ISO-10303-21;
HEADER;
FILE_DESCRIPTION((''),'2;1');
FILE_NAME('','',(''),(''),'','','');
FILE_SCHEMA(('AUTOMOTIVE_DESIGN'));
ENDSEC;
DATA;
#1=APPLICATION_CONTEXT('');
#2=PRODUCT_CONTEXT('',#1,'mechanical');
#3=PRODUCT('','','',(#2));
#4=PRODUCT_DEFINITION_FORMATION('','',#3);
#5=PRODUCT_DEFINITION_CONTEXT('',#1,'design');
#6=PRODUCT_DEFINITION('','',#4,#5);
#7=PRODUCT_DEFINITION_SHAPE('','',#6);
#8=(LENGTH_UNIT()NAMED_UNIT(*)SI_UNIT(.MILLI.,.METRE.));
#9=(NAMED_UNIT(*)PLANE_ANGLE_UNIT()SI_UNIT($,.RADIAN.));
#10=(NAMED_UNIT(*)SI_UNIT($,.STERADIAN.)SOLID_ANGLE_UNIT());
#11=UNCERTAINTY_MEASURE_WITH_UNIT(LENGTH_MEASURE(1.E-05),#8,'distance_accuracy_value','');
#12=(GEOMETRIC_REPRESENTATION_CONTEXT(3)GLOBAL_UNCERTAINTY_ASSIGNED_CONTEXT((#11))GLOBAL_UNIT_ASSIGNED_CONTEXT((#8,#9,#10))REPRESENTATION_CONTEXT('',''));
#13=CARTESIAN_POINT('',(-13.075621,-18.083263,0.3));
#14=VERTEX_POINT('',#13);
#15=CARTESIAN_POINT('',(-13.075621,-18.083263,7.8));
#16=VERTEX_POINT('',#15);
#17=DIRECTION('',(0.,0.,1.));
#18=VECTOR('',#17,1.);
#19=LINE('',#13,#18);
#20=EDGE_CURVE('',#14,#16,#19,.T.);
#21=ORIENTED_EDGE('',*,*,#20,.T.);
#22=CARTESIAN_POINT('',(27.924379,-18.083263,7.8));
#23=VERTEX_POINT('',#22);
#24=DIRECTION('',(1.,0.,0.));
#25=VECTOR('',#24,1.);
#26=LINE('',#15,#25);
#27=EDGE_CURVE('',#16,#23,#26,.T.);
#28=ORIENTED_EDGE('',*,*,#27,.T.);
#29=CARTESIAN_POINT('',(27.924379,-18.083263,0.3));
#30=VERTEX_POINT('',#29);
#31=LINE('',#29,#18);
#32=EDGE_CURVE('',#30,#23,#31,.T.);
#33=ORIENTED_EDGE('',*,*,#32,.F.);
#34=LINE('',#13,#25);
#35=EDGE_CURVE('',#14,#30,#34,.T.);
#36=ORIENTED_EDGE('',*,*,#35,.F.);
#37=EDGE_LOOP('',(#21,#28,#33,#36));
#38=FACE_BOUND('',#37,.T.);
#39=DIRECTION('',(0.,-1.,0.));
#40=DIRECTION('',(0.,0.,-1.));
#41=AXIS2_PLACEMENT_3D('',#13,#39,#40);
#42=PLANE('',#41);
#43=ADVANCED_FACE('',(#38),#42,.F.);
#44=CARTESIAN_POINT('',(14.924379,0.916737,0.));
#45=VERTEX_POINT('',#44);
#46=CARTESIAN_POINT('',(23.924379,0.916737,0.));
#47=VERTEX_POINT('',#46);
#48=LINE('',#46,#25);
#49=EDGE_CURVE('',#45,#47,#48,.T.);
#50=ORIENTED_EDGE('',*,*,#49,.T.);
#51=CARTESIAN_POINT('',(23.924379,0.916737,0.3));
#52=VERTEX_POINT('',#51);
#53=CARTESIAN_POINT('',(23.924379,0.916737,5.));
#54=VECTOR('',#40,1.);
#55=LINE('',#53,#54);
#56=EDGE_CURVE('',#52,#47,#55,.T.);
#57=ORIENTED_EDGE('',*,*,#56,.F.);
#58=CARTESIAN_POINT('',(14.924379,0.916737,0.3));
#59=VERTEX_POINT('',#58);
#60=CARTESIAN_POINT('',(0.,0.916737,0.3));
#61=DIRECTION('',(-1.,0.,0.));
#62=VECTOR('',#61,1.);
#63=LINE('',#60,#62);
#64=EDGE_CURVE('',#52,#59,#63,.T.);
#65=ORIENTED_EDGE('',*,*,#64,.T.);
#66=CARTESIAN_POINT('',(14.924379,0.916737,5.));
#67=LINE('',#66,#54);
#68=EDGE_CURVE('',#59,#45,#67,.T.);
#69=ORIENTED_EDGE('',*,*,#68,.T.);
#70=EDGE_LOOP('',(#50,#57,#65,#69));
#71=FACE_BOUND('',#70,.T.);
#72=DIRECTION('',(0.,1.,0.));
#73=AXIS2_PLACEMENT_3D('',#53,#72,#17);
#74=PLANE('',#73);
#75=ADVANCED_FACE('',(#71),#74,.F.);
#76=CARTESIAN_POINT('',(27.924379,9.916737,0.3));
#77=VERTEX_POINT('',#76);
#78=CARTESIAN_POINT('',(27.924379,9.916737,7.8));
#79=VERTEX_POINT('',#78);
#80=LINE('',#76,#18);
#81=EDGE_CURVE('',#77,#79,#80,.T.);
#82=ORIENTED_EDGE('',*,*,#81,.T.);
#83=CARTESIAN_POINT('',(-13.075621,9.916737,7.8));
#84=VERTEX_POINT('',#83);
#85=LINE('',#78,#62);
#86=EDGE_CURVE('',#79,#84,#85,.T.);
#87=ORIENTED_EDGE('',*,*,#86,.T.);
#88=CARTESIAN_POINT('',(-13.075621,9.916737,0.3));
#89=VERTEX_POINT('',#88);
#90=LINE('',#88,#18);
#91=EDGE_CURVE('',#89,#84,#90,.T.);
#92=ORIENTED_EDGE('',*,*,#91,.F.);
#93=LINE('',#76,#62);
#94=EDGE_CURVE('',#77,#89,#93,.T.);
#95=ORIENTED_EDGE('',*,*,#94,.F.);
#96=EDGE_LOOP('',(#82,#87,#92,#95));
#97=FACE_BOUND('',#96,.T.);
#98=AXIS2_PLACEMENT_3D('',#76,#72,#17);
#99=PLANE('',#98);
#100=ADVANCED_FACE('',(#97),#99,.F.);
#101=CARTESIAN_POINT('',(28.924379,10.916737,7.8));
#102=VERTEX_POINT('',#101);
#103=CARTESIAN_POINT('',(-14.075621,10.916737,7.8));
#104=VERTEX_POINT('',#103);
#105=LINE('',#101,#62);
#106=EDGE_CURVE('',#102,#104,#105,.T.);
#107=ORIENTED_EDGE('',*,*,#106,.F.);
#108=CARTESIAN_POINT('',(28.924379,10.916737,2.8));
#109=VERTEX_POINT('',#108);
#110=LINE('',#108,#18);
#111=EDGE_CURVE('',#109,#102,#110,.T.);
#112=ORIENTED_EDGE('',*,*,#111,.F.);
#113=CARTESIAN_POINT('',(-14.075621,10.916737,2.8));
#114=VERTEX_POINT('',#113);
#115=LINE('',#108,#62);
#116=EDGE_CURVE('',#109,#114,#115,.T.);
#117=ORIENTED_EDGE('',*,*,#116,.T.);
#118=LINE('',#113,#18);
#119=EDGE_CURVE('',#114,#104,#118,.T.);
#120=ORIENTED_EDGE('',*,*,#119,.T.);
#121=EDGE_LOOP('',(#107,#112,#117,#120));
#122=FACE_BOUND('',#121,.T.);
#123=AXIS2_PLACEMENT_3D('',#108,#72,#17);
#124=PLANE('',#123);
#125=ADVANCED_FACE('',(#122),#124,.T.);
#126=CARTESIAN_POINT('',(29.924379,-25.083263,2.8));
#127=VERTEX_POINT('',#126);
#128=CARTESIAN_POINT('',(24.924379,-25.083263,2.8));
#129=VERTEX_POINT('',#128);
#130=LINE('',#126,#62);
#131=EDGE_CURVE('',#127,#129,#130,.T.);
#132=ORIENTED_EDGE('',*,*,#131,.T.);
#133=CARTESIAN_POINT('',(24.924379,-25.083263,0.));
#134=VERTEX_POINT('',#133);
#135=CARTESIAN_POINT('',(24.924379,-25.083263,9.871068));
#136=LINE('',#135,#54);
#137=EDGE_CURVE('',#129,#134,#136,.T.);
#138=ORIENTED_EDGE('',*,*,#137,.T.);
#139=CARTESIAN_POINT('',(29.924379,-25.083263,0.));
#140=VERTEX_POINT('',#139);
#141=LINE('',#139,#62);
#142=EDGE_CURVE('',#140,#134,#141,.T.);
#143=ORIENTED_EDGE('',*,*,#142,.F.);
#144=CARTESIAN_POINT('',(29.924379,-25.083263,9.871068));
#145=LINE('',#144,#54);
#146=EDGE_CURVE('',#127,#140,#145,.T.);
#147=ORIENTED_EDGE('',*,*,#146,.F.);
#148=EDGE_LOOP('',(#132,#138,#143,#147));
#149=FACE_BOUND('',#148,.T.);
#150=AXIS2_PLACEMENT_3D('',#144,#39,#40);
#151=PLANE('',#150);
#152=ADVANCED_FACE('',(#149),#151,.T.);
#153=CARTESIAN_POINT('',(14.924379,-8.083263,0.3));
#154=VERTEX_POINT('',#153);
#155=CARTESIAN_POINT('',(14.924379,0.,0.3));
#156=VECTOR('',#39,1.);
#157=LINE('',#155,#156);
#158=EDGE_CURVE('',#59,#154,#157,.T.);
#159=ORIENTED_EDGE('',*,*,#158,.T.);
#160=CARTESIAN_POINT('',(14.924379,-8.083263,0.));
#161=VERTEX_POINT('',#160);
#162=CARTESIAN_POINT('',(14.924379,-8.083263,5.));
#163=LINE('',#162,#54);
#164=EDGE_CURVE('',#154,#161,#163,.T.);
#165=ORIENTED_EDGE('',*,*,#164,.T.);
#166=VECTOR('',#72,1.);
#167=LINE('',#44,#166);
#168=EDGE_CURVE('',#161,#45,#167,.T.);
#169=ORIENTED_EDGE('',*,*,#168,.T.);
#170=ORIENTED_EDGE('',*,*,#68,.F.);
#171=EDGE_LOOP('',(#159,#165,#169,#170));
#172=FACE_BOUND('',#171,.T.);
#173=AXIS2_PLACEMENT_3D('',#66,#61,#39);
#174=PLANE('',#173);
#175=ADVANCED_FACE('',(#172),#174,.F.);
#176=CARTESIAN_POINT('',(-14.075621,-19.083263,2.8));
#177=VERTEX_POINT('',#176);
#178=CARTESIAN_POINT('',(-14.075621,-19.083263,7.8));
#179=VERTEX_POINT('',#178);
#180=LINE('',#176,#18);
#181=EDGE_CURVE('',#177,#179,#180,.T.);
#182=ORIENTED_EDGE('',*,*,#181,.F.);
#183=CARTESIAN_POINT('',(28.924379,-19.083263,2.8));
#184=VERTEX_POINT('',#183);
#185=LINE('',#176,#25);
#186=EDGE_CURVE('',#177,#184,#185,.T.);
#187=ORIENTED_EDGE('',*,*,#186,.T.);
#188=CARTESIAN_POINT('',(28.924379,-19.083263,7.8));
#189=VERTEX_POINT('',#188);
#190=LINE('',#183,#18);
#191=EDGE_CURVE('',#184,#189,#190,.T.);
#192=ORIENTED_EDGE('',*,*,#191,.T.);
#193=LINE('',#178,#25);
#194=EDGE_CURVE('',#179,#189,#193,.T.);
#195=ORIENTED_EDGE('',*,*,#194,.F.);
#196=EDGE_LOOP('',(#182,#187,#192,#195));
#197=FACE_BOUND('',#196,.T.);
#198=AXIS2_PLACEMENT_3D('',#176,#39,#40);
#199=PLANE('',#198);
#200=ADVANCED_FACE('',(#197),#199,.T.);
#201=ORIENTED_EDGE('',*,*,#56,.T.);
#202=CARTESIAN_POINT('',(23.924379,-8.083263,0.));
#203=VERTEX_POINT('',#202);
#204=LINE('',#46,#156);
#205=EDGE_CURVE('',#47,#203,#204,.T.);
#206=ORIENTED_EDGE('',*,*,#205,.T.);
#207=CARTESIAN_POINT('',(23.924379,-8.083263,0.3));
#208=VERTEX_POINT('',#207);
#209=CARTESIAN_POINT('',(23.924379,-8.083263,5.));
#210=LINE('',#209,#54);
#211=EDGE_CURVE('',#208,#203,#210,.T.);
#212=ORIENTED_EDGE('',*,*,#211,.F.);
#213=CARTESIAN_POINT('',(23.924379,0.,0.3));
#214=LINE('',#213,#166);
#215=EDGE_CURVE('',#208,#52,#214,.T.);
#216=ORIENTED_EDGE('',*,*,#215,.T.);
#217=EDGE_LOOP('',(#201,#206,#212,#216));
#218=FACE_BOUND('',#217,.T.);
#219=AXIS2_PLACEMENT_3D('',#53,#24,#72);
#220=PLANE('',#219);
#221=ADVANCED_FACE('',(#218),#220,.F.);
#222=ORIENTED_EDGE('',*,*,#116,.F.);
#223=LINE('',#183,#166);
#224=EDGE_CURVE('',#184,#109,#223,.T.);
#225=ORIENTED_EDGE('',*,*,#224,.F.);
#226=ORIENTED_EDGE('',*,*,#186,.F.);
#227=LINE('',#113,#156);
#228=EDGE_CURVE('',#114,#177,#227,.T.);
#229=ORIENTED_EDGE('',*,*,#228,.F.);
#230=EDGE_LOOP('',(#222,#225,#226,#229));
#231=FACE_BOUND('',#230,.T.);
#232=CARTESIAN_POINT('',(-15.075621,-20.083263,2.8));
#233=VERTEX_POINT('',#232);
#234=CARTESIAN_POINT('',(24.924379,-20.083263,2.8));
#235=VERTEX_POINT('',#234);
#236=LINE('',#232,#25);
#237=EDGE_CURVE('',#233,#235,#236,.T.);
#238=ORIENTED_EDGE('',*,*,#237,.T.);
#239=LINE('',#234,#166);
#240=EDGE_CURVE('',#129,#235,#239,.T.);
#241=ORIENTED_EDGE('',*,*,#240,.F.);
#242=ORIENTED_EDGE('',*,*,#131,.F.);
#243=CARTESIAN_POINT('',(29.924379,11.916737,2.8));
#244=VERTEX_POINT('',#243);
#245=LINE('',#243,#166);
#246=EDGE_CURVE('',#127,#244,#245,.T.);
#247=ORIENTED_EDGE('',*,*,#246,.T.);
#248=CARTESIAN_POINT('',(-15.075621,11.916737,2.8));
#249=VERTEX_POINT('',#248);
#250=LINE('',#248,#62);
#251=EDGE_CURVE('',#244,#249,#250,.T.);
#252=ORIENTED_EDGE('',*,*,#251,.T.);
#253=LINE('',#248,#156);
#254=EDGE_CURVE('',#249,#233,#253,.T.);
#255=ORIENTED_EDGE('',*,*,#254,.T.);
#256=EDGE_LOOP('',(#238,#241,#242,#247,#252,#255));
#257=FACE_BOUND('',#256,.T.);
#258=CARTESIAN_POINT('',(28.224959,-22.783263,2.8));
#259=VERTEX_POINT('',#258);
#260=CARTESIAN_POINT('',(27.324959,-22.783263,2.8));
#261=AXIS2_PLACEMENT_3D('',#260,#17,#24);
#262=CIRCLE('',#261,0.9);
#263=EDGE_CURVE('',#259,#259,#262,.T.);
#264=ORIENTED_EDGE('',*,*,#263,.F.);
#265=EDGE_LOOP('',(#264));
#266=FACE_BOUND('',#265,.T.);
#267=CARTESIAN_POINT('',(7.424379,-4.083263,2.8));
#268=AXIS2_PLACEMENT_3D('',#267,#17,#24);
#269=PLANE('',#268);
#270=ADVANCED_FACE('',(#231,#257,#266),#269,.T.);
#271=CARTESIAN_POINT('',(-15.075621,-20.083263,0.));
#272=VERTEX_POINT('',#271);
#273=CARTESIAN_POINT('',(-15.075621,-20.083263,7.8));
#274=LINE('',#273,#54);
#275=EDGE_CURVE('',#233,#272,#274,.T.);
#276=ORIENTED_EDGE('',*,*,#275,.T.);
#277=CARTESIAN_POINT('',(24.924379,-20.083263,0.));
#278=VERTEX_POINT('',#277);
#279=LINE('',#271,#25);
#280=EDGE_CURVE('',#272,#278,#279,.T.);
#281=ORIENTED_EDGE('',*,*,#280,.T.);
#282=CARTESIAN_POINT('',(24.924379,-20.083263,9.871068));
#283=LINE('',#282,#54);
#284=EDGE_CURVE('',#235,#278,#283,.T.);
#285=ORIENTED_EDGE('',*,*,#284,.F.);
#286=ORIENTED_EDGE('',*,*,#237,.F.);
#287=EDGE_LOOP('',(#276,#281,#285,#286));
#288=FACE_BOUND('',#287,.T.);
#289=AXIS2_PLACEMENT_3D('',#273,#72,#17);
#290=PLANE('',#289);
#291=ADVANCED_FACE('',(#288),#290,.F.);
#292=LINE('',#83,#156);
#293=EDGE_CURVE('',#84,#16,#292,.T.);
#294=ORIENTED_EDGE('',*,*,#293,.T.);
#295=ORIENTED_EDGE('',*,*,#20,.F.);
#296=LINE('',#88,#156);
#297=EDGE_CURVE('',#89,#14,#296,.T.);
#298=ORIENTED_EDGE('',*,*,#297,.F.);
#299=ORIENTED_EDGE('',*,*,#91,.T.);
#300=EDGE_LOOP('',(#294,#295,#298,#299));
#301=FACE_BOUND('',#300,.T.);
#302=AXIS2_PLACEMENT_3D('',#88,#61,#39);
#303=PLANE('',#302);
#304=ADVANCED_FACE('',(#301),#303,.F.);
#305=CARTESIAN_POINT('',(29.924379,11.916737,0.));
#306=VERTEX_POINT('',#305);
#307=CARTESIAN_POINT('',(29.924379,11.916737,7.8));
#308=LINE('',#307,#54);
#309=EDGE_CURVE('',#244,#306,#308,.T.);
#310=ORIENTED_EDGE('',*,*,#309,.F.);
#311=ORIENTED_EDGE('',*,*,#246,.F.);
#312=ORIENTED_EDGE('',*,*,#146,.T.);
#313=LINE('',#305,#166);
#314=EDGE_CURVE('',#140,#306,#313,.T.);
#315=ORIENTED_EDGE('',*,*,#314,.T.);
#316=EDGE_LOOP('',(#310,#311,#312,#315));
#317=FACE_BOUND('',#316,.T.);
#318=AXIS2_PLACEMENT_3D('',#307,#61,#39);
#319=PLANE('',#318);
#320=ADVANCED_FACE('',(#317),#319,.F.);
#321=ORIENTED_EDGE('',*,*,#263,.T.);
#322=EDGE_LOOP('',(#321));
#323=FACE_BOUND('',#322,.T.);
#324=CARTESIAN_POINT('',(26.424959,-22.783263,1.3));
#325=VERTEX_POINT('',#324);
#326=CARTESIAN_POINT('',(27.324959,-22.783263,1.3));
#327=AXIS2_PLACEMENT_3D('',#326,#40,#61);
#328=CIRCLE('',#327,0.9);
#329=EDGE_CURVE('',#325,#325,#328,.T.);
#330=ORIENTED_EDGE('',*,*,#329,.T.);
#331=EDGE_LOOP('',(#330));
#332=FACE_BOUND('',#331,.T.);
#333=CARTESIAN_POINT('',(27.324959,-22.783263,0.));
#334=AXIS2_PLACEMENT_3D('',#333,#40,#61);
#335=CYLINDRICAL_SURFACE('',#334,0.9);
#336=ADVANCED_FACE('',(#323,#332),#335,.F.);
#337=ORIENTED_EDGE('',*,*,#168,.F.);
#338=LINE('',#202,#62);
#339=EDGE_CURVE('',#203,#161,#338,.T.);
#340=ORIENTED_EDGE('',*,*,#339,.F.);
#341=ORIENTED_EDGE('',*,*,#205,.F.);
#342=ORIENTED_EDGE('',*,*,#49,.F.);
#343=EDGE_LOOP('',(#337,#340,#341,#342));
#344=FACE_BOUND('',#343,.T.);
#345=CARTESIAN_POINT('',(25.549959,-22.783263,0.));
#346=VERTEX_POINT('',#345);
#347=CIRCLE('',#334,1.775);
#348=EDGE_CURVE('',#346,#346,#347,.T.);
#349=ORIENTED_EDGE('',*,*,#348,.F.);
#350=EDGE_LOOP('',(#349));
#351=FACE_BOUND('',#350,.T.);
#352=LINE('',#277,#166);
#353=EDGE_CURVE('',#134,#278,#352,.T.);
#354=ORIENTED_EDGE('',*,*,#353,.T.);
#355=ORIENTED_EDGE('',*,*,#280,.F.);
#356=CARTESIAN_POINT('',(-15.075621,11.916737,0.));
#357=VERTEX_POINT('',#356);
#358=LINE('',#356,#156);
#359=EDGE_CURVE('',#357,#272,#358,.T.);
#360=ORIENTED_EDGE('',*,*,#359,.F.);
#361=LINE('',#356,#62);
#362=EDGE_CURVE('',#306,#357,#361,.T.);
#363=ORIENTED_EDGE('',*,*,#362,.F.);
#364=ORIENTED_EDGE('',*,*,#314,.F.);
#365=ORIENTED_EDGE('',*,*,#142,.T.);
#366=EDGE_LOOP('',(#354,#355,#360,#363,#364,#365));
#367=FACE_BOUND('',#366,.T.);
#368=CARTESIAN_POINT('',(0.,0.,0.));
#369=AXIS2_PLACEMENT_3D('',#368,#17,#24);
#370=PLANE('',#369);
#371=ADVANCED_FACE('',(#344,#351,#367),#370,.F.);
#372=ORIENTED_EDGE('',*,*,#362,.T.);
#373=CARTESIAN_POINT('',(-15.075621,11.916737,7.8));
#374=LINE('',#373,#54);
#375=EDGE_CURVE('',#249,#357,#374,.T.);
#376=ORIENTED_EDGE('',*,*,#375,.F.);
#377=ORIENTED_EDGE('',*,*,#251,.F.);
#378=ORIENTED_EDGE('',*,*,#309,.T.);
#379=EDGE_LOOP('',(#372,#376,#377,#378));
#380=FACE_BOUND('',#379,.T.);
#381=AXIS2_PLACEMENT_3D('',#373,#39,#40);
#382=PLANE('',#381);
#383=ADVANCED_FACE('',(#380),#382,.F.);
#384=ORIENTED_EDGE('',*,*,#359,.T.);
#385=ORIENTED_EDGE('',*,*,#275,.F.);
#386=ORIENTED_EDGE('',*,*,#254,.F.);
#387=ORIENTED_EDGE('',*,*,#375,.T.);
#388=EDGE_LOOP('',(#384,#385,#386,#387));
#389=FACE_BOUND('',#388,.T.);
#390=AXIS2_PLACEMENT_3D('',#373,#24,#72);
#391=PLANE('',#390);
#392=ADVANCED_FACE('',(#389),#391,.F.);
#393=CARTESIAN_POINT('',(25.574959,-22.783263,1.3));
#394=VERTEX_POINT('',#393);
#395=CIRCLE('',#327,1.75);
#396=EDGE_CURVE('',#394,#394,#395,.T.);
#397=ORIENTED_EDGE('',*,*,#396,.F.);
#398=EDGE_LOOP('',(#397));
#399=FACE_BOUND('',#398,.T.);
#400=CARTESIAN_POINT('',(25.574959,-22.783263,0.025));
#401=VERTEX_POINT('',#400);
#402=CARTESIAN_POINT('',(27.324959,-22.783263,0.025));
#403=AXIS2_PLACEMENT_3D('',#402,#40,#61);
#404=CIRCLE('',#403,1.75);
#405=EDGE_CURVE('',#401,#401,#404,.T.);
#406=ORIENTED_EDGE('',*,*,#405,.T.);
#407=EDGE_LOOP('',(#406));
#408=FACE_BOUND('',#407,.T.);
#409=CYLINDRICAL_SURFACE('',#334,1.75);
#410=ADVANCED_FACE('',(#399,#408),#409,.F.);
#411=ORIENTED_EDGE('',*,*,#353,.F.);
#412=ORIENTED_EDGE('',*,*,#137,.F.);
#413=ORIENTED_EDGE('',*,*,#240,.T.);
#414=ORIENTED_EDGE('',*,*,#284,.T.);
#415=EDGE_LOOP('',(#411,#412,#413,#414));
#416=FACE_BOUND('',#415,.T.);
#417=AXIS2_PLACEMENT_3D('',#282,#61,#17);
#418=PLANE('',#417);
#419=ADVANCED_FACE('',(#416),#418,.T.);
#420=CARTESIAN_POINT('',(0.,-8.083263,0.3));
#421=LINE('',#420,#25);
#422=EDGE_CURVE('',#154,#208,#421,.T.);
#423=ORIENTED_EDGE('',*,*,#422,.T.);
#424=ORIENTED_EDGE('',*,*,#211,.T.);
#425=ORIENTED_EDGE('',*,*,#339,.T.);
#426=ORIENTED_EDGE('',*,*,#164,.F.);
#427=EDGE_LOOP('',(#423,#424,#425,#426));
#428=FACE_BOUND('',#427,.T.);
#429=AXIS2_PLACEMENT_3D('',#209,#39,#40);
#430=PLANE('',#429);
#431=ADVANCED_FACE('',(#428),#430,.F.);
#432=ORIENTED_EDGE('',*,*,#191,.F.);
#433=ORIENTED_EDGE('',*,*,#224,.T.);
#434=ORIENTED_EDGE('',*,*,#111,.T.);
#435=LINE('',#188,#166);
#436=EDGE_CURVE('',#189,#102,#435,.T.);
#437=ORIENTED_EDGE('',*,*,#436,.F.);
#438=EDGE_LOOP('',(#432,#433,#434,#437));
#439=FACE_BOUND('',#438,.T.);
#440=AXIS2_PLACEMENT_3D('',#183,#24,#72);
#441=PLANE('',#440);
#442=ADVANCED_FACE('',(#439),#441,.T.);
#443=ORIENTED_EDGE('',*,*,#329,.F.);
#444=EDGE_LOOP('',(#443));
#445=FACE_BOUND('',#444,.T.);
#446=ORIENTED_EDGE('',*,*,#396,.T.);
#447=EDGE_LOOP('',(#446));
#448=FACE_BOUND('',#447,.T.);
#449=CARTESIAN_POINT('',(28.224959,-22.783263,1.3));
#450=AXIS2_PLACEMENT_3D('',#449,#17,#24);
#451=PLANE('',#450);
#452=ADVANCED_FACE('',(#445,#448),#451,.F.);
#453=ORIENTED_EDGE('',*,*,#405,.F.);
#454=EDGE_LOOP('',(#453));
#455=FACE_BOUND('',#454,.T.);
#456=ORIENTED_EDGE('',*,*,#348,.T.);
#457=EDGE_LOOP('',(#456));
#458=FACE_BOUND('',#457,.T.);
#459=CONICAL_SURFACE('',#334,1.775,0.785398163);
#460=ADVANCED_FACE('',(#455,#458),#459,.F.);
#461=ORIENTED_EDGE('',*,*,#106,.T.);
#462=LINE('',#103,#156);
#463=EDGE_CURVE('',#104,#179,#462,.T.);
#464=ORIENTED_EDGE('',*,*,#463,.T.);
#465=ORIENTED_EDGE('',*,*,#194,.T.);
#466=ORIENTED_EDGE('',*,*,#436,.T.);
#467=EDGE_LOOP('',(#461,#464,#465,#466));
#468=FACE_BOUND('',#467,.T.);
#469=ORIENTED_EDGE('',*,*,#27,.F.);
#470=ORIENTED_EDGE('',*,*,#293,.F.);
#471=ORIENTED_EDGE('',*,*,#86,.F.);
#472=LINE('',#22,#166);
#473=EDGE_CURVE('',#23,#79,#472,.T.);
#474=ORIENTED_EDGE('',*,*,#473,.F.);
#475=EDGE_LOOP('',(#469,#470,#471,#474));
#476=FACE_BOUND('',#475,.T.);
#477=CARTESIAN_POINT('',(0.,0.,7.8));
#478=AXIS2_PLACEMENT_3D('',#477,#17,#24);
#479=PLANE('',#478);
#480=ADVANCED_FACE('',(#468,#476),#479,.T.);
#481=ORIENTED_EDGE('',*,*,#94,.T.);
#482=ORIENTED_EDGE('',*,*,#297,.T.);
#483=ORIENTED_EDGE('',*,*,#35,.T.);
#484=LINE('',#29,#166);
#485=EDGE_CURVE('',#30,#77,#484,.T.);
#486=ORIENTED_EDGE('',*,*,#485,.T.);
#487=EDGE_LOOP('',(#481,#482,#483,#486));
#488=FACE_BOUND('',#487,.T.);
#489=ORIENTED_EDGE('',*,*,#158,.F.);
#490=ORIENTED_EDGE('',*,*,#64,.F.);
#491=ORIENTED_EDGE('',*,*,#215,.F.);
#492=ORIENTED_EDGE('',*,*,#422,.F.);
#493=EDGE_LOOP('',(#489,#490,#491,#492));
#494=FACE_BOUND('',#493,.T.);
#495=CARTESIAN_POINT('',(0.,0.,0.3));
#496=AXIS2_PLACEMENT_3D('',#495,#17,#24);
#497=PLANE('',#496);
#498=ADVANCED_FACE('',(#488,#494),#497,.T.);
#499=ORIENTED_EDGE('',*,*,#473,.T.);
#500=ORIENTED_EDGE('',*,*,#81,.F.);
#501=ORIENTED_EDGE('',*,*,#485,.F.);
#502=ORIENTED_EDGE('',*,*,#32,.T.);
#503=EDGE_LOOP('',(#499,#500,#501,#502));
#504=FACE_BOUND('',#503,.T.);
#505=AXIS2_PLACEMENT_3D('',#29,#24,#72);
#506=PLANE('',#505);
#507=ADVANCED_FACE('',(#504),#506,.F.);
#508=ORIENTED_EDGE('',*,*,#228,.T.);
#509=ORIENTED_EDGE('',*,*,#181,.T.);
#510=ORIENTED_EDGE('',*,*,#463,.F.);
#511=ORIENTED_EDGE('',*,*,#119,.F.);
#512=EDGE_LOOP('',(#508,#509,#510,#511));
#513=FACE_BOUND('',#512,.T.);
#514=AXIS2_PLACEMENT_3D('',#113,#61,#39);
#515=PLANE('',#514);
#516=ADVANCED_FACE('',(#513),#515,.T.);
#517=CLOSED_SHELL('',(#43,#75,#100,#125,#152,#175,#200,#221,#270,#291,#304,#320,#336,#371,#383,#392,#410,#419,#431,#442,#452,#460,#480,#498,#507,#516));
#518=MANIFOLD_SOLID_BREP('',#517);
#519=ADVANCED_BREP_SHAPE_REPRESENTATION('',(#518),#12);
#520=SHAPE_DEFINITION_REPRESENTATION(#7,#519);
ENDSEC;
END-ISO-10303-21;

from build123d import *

# Parameters (mm, degrees)
ESQUISSE1_W             = 45
ESQUISSE1_H             = 32
BOSS_EXTRU_1_DEPTH      = 7.8
ESQUISSE2_W             = 41
ESQUISSE2_H             = 28
ENL_V_MAT_EXTRU_1_DEPTH = 7.5
ESQUISSE4_OUTSIDE_W     = 58.154
ESQUISSE4_OUTSIDE_H     = 45.154
ESQUISSE4_OUTSIDE_W_2   = 43
ESQUISSE4_OUTSIDE_H_2   = 30
ENL_V_MAT_EXTRU_2_DEPTH = 5
ESQUISSE5_W             = 9
ESQUISSE5_H             = 9
ENL_V_MAT_EXTRU_3_DEPTH = 5
ESQUISSE6_W             = 5
ESQUISSE6_H             = 5
BOSS_EXTRU_2_DEPTH      = 2.8


with BuildPart() as part:
    # Esquisse1 → Boss.-Extru.1 (new body)
    with BuildSketch(Plane.XY):
        with Locations((7.42437914, -4.08326268)):
            Rectangle(ESQUISSE1_W, ESQUISSE1_H)
    extrude(amount=BOSS_EXTRU_1_DEPTH)

    # Esquisse2 → Enlèv. mat.-Extru.1 (cut)
    with BuildSketch(Plane.XY.offset(7.8)):
        with Locations((7.42437914, -4.08326268)):
            Rectangle(ESQUISSE2_W, ESQUISSE2_H)
    extrude(amount=-ENL_V_MAT_EXTRU_1_DEPTH, mode=Mode.SUBTRACT)

    # Esquisse4 outside → Enlèv. mat.-Extru.2 (cut)
    with BuildSketch(Plane.XY.offset(7.8)):
        with Locations((7.424, -4.083)):
            Rectangle(ESQUISSE4_OUTSIDE_W, ESQUISSE4_OUTSIDE_H)
        with Locations((7.42437914, -4.08326268)):
            Rectangle(ESQUISSE4_OUTSIDE_W_2, ESQUISSE4_OUTSIDE_H_2, mode=Mode.SUBTRACT)
    extrude(amount=-ENL_V_MAT_EXTRU_2_DEPTH, mode=Mode.SUBTRACT)

    # Esquisse5 → Enlèv. mat.-Extru.3 (cut)
    with BuildSketch(Plane(origin=(0, 0, 0), x_dir=(-1, 0, 0), z_dir=(0, 0, -1))):
        with Locations((-19.42437914, -3.58326268)):
            Rectangle(ESQUISSE5_W, ESQUISSE5_H)
    extrude(amount=-ENL_V_MAT_EXTRU_3_DEPTH, mode=Mode.SUBTRACT)

    # Esquisse6 → Boss.-Extru.2 (add)
    with BuildSketch(Plane(origin=(0, 0, 0), x_dir=(-1, 0, 0), z_dir=(0, 0, -1))):
        with Locations((-27.42437914, -22.58326268)):
            Rectangle(ESQUISSE6_W, ESQUISSE6_H)
    extrude(amount=-BOSS_EXTRU_2_DEPTH)

    # Esquisse7 → Chambrage pour vis à tête ronde bombée M1.61 (revolve, cut)
    with BuildSketch(Plane(origin=(27.324958559, -22.78326268, 0), x_dir=(0, 1, 0), z_dir=(1, 0, 0))):
        Polygon((0, 0), (0, 7.790774557), (0.9, 7.25), (0.9, 1.3), (1.75, 1.3), (1.75, 0.025), (1.775, 0), align=None)
    revolve(axis=Axis((27.324958559, -22.78326268, -6.35), (0, 0, 1)), mode=Mode.SUBTRACT)


solid = part.part
